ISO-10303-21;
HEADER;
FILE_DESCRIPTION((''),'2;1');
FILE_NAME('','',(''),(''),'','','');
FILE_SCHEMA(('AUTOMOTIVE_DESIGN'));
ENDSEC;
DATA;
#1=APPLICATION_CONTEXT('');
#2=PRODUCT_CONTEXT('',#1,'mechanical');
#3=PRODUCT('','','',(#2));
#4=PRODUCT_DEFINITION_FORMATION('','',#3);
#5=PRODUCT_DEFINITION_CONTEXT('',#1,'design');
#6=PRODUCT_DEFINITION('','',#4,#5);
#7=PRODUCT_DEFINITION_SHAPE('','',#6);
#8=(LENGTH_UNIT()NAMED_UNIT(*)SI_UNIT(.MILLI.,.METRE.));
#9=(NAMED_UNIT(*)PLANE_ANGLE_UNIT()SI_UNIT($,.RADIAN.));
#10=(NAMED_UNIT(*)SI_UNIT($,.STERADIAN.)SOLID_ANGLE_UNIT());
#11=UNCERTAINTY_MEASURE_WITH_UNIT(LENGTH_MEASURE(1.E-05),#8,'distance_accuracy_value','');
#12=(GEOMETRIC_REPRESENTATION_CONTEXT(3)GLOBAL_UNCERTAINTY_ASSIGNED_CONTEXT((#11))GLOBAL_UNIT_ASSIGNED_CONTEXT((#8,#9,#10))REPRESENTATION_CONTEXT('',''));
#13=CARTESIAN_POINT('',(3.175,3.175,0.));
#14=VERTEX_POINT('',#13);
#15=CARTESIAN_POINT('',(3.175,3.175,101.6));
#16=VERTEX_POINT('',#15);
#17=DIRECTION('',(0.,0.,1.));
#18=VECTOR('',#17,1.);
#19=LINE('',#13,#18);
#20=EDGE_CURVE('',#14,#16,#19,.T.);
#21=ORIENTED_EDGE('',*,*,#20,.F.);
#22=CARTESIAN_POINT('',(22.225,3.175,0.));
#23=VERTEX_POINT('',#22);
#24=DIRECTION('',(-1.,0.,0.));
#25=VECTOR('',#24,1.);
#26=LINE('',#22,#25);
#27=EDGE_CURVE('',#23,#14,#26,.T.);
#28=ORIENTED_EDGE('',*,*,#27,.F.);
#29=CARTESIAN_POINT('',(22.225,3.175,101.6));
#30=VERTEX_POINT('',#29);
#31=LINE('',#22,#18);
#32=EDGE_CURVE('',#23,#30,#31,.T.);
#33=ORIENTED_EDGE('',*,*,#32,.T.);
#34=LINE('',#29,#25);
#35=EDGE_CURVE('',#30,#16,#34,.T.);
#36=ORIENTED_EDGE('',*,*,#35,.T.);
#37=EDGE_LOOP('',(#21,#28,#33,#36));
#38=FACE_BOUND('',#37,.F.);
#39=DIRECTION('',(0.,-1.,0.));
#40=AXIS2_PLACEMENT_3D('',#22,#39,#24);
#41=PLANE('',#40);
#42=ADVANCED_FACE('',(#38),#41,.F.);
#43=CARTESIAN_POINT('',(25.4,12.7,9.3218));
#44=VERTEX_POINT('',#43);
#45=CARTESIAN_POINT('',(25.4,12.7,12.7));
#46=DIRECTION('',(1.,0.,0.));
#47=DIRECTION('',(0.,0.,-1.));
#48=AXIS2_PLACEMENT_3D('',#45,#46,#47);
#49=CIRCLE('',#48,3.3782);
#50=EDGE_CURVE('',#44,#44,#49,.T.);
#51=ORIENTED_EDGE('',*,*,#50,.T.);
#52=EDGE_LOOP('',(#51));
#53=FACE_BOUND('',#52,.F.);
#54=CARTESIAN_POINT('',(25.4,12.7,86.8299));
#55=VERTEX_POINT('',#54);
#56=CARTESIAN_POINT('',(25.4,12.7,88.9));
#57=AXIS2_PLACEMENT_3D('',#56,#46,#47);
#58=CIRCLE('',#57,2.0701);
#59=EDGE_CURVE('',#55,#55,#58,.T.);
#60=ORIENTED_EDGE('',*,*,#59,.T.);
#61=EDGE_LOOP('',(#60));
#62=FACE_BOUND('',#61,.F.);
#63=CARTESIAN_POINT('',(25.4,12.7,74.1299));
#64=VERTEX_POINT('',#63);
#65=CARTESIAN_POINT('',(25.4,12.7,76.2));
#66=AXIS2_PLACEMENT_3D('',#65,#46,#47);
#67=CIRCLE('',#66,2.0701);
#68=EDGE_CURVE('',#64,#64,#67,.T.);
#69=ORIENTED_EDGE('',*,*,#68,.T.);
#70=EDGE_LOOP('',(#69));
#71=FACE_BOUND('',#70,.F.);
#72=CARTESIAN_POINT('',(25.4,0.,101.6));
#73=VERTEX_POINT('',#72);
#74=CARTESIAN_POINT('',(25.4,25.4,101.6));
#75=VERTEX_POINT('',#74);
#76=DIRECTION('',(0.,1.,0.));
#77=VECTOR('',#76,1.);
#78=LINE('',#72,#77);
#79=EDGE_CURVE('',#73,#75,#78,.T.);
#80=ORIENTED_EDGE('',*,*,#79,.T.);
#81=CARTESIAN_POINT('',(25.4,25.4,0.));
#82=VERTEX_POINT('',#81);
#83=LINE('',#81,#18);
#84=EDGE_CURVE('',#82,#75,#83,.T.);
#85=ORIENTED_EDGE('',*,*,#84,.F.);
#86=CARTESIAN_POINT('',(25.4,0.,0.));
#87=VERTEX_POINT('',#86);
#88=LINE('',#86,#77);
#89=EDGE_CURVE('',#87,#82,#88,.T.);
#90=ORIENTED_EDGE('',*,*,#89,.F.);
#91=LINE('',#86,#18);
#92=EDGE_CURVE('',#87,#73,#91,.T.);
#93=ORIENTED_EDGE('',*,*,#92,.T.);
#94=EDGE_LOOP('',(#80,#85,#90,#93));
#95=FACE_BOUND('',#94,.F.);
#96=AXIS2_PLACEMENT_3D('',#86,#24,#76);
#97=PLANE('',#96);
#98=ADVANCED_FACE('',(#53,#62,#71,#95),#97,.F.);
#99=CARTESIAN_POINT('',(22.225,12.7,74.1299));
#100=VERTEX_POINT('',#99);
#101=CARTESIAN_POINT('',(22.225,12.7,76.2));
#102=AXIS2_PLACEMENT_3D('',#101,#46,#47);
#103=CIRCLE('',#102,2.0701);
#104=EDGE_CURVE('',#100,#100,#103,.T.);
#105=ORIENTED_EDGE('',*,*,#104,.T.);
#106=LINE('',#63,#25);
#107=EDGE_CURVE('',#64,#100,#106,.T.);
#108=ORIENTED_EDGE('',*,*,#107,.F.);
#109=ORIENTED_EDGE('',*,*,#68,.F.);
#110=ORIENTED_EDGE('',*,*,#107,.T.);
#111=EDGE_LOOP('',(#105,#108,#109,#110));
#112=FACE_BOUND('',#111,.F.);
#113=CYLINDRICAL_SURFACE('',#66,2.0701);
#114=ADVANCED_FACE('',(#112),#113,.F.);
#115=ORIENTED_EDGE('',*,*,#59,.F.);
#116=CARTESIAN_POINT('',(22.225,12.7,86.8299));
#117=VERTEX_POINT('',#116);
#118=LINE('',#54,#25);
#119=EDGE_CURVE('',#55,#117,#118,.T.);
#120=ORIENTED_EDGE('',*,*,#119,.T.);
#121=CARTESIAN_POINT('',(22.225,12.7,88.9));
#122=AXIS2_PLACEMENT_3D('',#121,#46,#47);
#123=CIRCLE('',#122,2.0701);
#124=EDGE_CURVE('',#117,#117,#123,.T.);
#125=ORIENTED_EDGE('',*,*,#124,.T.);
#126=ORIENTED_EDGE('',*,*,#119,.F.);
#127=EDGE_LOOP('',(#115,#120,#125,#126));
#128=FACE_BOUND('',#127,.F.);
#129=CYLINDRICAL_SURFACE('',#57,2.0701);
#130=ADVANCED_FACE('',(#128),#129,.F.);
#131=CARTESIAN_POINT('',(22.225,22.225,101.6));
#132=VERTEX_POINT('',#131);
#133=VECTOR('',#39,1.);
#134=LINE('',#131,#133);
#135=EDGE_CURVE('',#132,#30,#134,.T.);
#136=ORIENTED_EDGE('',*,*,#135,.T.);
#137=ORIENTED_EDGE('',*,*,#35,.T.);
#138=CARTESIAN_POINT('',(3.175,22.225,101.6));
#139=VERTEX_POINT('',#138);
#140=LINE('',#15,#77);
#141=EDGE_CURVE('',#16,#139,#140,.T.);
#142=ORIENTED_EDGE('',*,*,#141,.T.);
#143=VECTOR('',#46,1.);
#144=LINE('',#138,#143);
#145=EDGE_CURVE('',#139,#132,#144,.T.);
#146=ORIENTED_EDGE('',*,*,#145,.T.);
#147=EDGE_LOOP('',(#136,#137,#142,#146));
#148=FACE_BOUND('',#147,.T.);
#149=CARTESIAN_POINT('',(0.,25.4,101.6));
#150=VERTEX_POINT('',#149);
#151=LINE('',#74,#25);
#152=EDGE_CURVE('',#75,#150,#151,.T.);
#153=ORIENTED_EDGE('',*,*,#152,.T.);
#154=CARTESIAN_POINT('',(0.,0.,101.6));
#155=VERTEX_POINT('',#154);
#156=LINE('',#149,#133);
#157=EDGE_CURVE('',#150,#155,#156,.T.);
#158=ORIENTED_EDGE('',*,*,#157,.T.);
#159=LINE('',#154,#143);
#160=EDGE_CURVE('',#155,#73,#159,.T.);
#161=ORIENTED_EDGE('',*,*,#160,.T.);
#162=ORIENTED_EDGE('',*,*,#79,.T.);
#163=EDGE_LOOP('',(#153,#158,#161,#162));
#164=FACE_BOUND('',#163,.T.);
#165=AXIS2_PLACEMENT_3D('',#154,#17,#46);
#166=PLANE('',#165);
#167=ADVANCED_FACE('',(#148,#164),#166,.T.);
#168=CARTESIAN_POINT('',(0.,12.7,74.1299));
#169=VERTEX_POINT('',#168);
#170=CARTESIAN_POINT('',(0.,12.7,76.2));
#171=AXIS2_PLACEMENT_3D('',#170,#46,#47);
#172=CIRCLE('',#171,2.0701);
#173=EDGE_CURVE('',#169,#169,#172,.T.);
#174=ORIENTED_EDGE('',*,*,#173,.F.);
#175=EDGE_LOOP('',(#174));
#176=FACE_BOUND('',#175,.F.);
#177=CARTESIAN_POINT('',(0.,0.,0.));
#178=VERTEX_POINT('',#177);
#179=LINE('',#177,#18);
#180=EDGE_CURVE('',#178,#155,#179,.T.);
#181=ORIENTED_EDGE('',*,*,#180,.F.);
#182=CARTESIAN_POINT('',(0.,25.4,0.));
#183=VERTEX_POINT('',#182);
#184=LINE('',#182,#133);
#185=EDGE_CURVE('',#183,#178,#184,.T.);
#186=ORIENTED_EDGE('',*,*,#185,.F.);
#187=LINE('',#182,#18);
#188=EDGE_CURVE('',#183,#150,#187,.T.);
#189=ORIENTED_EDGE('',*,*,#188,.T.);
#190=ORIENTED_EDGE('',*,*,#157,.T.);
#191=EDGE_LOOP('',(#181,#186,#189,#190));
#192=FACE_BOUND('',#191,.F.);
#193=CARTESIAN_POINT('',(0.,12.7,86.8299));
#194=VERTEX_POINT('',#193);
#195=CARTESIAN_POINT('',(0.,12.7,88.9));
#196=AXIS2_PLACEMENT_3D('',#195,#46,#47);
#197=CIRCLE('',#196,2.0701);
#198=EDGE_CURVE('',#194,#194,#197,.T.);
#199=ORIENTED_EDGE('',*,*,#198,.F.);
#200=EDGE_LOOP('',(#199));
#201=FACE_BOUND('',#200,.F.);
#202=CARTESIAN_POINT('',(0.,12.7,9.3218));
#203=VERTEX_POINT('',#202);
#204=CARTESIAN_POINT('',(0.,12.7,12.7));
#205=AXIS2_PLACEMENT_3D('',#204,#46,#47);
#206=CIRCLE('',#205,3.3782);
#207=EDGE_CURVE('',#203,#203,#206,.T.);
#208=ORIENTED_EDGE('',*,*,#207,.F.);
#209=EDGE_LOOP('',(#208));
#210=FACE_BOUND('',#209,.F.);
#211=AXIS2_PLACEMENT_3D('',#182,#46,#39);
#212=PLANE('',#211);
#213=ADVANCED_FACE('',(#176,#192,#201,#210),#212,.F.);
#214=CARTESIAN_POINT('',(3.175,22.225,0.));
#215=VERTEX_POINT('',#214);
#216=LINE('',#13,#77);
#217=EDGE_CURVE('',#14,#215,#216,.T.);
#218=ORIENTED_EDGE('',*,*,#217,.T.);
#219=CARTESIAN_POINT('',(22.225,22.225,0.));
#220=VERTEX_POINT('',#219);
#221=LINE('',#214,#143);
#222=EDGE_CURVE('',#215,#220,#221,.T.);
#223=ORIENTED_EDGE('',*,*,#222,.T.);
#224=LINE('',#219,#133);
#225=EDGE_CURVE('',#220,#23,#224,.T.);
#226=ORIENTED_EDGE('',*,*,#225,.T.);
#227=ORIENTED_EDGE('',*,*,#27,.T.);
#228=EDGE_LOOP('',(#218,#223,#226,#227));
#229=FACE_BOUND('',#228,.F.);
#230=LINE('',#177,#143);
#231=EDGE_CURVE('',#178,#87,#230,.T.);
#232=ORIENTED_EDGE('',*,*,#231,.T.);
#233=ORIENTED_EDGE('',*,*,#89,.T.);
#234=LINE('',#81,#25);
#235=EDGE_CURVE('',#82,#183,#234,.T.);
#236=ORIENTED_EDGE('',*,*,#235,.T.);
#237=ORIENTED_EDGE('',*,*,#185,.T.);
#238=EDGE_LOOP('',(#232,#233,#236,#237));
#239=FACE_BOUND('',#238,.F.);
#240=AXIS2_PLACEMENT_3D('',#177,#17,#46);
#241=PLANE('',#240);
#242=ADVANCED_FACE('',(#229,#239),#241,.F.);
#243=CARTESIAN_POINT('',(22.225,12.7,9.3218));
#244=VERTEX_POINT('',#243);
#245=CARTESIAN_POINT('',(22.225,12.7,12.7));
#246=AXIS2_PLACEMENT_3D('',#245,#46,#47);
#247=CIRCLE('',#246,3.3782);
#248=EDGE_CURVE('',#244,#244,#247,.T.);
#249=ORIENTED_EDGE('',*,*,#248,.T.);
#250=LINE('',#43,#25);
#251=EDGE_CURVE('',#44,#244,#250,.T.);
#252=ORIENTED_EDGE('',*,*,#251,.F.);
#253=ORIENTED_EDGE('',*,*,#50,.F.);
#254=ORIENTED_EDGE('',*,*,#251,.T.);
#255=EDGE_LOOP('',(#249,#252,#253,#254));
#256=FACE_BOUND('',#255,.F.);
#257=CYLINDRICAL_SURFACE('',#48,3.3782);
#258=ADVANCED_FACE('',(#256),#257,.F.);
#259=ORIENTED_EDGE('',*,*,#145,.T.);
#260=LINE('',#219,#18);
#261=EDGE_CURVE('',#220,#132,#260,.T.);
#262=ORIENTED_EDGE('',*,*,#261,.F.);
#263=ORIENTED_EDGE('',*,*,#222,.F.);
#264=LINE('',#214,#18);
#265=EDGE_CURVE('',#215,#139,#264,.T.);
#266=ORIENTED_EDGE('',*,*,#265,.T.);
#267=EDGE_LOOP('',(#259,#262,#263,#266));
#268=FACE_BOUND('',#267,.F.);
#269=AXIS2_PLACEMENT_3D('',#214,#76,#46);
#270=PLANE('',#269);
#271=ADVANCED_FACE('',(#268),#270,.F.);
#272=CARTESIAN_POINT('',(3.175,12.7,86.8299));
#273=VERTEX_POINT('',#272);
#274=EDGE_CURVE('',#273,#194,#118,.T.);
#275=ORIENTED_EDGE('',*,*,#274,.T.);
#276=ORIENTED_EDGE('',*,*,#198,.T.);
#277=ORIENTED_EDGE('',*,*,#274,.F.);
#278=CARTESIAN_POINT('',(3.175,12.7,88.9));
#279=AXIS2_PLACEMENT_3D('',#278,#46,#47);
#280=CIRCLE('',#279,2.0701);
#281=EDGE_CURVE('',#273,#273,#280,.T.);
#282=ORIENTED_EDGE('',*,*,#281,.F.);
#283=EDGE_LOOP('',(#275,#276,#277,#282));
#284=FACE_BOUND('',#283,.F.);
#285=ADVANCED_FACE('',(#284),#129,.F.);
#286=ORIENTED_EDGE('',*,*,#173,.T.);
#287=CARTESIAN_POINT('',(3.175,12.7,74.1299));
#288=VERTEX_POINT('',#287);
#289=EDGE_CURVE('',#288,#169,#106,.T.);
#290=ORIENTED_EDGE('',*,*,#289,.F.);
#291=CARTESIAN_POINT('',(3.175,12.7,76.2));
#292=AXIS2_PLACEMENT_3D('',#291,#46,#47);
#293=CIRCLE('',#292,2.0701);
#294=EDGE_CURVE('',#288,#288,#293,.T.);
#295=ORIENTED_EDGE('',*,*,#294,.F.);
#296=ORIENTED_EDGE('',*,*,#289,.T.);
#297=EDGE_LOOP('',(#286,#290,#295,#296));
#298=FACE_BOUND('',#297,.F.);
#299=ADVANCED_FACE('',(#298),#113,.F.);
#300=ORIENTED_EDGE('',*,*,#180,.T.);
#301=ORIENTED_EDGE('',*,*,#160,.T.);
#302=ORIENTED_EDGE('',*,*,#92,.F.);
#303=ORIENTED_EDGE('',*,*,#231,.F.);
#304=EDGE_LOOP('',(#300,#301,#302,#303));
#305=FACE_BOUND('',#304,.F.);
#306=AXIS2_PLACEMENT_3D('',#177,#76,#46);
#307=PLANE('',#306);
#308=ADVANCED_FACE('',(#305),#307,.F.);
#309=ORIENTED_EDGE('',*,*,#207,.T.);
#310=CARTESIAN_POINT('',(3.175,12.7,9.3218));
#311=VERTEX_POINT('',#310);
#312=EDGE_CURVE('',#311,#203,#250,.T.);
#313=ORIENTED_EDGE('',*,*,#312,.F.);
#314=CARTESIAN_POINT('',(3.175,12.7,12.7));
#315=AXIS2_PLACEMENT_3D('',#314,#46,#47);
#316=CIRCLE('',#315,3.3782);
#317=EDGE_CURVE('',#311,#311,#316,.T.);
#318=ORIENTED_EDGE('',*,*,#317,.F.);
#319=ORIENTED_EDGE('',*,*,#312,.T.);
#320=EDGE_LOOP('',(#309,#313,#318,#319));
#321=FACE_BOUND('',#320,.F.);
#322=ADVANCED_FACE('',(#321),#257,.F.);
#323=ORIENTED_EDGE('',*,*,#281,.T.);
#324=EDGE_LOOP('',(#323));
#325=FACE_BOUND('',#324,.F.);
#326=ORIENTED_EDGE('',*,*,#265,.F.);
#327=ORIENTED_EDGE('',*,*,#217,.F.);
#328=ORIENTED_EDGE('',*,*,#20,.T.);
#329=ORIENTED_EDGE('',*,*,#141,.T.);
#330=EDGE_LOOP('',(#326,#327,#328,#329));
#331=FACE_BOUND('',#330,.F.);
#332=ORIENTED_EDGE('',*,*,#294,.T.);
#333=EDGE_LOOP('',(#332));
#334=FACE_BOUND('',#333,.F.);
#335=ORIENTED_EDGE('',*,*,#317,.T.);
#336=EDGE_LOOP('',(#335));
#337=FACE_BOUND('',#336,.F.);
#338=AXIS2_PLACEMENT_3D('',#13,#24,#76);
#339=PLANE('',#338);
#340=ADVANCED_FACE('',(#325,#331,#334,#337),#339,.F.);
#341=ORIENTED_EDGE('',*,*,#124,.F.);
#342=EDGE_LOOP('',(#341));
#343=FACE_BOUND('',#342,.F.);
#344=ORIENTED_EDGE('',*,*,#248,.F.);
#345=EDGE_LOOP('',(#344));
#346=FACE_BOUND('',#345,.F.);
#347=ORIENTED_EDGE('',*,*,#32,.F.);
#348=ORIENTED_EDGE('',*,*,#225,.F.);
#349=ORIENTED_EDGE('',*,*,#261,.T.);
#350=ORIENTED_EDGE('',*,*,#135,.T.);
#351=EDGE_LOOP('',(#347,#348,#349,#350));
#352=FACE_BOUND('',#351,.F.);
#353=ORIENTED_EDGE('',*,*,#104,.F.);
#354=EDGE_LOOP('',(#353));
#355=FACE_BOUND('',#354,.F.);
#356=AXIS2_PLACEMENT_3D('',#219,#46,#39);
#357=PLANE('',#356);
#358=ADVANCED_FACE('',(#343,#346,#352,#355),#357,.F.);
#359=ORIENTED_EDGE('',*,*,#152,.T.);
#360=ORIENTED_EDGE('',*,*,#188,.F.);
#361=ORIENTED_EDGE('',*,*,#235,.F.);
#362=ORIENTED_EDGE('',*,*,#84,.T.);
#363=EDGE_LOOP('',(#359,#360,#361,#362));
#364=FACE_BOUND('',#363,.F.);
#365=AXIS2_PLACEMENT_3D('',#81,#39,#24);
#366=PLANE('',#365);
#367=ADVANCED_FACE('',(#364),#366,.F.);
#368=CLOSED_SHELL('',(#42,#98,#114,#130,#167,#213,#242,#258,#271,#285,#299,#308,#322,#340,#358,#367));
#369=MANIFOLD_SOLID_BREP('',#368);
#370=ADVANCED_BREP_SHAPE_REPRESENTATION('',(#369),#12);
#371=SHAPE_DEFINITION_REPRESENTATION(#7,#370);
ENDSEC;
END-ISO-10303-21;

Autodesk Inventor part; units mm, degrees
ref_plane "YZ Plane" through (0, 0, 0) normal (1, 0, 0) x (0, 1, 0)
ref_plane "XZ Plane" through (0, 0, 0) normal (0, 1, 0) x (-1, 0, 0)
ref_plane "XY Plane" through (0, 0, 0) normal (0, 0, 1) x (1, 0, 0)
sketch "Sketch1" plane through (0, 0, 0) normal (0, 0, 1) x (1, 0, 0)
  line L0 (0, 0) -> (25.4, 0)
  line L1 (25.4, 0) -> (25.4, 25.4)
  line L2 (25.4, 25.4) -> (0, 25.4)
  line L3 (0, 25.4) -> (0, 0)
  line L4 (3.175, 22.225) -> (22.225, 22.225)
  line L5 (22.225, 22.225) -> (22.225, 3.175)
  line L6 (22.225, 3.175) -> (3.175, 3.175)
  line L7 (3.175, 3.175) -> (3.175, 22.225)
  dimension "d0" = 25.4
  dimension "d1" = 25.4
  dimension "d2" = 3.175
extrude "Extrusion1" add sketch "Sketch1" along normal blind 101.6
sketch "Sketch2" plane through (25.4, 0, 0) normal (1, 0, 0) x (0, 0, -1)
  line L0 (0, 0) -> (0, 25.4) projected
  line L1 (-101.6, 0) -> (-101.6, 25.4) projected
  line L2 (0, 0) -> (-101.6, 0) projected
  circle A0 centre (-88.9, 12.7) radius 2.0701
  circle A1 centre (-76.2, 12.7) radius 2.0701
  circle A2 centre (-12.7, 12.7) radius 3.3782
  dimension "d5" = 4.1402
  dimension "d6" = 12.7
  dimension "d7" = 12.7
  dimension "d10" = 12.7
  dimension "d15" = 6.7564
  dimension "d16" = 12.7
  dimension "d17" = 12.7
extrude "Extrusion2" cut sketch "Sketch2" against normal blind 101.6
properties part number "Clapper Outer Cable Hard Stop (2)"
